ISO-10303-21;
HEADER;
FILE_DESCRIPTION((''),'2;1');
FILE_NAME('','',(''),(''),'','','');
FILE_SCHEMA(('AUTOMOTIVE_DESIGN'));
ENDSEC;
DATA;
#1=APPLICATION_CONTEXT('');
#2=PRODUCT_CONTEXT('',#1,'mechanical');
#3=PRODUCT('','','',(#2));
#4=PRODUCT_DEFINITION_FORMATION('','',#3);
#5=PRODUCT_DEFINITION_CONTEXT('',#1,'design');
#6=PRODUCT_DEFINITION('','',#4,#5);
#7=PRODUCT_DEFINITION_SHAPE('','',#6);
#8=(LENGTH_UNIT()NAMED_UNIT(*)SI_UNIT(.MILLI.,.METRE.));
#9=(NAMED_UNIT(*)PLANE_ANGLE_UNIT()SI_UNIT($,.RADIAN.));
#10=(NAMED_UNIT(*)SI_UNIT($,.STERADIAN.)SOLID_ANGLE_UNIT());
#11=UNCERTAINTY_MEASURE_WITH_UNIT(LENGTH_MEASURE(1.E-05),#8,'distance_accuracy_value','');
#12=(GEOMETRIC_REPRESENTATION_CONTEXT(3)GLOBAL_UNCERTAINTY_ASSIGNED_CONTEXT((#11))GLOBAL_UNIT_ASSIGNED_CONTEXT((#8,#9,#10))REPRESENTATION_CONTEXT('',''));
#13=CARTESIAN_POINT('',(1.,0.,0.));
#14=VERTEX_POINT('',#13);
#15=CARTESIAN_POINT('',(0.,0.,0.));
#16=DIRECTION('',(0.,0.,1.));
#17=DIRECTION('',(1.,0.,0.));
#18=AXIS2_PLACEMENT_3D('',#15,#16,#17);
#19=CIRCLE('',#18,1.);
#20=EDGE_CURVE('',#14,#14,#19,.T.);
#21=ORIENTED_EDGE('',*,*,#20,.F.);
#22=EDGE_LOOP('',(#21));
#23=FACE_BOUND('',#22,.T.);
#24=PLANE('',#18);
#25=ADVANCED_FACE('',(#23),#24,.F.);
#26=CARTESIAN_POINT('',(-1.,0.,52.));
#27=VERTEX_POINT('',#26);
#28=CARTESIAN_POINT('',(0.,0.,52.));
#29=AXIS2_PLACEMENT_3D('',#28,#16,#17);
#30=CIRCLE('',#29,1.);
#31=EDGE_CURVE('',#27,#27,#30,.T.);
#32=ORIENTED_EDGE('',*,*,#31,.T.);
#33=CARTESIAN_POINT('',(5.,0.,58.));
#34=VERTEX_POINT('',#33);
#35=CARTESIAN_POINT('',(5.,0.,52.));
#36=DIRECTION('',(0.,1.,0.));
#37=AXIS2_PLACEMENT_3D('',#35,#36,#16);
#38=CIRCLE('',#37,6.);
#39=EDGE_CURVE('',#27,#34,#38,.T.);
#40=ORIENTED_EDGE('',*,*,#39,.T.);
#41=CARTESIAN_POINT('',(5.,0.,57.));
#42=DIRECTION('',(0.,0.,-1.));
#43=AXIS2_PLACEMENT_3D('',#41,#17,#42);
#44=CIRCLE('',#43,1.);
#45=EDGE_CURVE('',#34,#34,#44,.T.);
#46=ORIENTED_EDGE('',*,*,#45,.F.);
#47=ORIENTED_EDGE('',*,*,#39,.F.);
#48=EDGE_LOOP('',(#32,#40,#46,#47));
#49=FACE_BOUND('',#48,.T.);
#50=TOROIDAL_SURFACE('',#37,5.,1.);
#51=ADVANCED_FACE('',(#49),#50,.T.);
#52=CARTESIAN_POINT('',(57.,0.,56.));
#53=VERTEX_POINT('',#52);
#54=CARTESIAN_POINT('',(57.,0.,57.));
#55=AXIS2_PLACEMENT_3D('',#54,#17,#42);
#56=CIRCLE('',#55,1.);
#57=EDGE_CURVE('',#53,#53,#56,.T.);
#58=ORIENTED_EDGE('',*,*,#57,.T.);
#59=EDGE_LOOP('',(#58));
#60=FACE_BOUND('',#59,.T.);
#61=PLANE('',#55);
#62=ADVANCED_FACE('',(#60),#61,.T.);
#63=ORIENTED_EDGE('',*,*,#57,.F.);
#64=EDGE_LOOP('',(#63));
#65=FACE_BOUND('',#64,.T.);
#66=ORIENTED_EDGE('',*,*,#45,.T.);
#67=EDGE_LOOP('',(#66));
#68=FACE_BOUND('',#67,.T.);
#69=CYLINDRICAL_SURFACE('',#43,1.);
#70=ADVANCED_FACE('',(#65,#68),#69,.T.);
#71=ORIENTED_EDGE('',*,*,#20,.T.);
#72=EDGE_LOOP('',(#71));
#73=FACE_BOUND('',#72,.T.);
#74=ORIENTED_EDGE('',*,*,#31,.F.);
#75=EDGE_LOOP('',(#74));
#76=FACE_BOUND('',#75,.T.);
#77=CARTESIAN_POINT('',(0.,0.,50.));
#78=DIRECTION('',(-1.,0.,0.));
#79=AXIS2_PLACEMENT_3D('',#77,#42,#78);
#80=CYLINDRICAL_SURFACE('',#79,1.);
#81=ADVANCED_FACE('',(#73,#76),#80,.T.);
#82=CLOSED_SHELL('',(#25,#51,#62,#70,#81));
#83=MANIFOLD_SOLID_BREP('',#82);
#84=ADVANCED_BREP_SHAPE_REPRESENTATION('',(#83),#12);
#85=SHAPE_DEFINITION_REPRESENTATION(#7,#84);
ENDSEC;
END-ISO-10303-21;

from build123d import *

# Parameters (mm, degrees)
SKETCH_1_R      = 1
EXTRUDE_1_DEPTH = 50
SKETCH_3_R      = 1


with BuildPart() as part:
    # ｽｹｯﾁ1 → ﾎﾞｽ - 押し出し1 (new body)
    with BuildSketch(Plane.XY):
        Circle(SKETCH_1_R)
    extrude(amount=EXTRUDE_1_DEPTH)

    # ｽｲｰﾌﾟ1: sweep along a path in ｽｹｯﾁ2
    with BuildLine(Plane(origin=(0, 0, 0), x_dir=(1, 0, 0), z_dir=(0, 1, 0))) as sweep_1_path:
        Line((0, -50), (0, -52))
        ThreePointArc((0, -52), (1.464466094, -55.535533906), (5, -57))
        Line((5, -57), (57, -57))
    # ｽｹｯﾁ3 → ｽｲｰﾌﾟ1 (sweep)
    with BuildSketch(Plane.XY.offset(50)):
        Circle(SKETCH_3_R)
    sweep(path=sweep_1_path.line)


solid = part.part
